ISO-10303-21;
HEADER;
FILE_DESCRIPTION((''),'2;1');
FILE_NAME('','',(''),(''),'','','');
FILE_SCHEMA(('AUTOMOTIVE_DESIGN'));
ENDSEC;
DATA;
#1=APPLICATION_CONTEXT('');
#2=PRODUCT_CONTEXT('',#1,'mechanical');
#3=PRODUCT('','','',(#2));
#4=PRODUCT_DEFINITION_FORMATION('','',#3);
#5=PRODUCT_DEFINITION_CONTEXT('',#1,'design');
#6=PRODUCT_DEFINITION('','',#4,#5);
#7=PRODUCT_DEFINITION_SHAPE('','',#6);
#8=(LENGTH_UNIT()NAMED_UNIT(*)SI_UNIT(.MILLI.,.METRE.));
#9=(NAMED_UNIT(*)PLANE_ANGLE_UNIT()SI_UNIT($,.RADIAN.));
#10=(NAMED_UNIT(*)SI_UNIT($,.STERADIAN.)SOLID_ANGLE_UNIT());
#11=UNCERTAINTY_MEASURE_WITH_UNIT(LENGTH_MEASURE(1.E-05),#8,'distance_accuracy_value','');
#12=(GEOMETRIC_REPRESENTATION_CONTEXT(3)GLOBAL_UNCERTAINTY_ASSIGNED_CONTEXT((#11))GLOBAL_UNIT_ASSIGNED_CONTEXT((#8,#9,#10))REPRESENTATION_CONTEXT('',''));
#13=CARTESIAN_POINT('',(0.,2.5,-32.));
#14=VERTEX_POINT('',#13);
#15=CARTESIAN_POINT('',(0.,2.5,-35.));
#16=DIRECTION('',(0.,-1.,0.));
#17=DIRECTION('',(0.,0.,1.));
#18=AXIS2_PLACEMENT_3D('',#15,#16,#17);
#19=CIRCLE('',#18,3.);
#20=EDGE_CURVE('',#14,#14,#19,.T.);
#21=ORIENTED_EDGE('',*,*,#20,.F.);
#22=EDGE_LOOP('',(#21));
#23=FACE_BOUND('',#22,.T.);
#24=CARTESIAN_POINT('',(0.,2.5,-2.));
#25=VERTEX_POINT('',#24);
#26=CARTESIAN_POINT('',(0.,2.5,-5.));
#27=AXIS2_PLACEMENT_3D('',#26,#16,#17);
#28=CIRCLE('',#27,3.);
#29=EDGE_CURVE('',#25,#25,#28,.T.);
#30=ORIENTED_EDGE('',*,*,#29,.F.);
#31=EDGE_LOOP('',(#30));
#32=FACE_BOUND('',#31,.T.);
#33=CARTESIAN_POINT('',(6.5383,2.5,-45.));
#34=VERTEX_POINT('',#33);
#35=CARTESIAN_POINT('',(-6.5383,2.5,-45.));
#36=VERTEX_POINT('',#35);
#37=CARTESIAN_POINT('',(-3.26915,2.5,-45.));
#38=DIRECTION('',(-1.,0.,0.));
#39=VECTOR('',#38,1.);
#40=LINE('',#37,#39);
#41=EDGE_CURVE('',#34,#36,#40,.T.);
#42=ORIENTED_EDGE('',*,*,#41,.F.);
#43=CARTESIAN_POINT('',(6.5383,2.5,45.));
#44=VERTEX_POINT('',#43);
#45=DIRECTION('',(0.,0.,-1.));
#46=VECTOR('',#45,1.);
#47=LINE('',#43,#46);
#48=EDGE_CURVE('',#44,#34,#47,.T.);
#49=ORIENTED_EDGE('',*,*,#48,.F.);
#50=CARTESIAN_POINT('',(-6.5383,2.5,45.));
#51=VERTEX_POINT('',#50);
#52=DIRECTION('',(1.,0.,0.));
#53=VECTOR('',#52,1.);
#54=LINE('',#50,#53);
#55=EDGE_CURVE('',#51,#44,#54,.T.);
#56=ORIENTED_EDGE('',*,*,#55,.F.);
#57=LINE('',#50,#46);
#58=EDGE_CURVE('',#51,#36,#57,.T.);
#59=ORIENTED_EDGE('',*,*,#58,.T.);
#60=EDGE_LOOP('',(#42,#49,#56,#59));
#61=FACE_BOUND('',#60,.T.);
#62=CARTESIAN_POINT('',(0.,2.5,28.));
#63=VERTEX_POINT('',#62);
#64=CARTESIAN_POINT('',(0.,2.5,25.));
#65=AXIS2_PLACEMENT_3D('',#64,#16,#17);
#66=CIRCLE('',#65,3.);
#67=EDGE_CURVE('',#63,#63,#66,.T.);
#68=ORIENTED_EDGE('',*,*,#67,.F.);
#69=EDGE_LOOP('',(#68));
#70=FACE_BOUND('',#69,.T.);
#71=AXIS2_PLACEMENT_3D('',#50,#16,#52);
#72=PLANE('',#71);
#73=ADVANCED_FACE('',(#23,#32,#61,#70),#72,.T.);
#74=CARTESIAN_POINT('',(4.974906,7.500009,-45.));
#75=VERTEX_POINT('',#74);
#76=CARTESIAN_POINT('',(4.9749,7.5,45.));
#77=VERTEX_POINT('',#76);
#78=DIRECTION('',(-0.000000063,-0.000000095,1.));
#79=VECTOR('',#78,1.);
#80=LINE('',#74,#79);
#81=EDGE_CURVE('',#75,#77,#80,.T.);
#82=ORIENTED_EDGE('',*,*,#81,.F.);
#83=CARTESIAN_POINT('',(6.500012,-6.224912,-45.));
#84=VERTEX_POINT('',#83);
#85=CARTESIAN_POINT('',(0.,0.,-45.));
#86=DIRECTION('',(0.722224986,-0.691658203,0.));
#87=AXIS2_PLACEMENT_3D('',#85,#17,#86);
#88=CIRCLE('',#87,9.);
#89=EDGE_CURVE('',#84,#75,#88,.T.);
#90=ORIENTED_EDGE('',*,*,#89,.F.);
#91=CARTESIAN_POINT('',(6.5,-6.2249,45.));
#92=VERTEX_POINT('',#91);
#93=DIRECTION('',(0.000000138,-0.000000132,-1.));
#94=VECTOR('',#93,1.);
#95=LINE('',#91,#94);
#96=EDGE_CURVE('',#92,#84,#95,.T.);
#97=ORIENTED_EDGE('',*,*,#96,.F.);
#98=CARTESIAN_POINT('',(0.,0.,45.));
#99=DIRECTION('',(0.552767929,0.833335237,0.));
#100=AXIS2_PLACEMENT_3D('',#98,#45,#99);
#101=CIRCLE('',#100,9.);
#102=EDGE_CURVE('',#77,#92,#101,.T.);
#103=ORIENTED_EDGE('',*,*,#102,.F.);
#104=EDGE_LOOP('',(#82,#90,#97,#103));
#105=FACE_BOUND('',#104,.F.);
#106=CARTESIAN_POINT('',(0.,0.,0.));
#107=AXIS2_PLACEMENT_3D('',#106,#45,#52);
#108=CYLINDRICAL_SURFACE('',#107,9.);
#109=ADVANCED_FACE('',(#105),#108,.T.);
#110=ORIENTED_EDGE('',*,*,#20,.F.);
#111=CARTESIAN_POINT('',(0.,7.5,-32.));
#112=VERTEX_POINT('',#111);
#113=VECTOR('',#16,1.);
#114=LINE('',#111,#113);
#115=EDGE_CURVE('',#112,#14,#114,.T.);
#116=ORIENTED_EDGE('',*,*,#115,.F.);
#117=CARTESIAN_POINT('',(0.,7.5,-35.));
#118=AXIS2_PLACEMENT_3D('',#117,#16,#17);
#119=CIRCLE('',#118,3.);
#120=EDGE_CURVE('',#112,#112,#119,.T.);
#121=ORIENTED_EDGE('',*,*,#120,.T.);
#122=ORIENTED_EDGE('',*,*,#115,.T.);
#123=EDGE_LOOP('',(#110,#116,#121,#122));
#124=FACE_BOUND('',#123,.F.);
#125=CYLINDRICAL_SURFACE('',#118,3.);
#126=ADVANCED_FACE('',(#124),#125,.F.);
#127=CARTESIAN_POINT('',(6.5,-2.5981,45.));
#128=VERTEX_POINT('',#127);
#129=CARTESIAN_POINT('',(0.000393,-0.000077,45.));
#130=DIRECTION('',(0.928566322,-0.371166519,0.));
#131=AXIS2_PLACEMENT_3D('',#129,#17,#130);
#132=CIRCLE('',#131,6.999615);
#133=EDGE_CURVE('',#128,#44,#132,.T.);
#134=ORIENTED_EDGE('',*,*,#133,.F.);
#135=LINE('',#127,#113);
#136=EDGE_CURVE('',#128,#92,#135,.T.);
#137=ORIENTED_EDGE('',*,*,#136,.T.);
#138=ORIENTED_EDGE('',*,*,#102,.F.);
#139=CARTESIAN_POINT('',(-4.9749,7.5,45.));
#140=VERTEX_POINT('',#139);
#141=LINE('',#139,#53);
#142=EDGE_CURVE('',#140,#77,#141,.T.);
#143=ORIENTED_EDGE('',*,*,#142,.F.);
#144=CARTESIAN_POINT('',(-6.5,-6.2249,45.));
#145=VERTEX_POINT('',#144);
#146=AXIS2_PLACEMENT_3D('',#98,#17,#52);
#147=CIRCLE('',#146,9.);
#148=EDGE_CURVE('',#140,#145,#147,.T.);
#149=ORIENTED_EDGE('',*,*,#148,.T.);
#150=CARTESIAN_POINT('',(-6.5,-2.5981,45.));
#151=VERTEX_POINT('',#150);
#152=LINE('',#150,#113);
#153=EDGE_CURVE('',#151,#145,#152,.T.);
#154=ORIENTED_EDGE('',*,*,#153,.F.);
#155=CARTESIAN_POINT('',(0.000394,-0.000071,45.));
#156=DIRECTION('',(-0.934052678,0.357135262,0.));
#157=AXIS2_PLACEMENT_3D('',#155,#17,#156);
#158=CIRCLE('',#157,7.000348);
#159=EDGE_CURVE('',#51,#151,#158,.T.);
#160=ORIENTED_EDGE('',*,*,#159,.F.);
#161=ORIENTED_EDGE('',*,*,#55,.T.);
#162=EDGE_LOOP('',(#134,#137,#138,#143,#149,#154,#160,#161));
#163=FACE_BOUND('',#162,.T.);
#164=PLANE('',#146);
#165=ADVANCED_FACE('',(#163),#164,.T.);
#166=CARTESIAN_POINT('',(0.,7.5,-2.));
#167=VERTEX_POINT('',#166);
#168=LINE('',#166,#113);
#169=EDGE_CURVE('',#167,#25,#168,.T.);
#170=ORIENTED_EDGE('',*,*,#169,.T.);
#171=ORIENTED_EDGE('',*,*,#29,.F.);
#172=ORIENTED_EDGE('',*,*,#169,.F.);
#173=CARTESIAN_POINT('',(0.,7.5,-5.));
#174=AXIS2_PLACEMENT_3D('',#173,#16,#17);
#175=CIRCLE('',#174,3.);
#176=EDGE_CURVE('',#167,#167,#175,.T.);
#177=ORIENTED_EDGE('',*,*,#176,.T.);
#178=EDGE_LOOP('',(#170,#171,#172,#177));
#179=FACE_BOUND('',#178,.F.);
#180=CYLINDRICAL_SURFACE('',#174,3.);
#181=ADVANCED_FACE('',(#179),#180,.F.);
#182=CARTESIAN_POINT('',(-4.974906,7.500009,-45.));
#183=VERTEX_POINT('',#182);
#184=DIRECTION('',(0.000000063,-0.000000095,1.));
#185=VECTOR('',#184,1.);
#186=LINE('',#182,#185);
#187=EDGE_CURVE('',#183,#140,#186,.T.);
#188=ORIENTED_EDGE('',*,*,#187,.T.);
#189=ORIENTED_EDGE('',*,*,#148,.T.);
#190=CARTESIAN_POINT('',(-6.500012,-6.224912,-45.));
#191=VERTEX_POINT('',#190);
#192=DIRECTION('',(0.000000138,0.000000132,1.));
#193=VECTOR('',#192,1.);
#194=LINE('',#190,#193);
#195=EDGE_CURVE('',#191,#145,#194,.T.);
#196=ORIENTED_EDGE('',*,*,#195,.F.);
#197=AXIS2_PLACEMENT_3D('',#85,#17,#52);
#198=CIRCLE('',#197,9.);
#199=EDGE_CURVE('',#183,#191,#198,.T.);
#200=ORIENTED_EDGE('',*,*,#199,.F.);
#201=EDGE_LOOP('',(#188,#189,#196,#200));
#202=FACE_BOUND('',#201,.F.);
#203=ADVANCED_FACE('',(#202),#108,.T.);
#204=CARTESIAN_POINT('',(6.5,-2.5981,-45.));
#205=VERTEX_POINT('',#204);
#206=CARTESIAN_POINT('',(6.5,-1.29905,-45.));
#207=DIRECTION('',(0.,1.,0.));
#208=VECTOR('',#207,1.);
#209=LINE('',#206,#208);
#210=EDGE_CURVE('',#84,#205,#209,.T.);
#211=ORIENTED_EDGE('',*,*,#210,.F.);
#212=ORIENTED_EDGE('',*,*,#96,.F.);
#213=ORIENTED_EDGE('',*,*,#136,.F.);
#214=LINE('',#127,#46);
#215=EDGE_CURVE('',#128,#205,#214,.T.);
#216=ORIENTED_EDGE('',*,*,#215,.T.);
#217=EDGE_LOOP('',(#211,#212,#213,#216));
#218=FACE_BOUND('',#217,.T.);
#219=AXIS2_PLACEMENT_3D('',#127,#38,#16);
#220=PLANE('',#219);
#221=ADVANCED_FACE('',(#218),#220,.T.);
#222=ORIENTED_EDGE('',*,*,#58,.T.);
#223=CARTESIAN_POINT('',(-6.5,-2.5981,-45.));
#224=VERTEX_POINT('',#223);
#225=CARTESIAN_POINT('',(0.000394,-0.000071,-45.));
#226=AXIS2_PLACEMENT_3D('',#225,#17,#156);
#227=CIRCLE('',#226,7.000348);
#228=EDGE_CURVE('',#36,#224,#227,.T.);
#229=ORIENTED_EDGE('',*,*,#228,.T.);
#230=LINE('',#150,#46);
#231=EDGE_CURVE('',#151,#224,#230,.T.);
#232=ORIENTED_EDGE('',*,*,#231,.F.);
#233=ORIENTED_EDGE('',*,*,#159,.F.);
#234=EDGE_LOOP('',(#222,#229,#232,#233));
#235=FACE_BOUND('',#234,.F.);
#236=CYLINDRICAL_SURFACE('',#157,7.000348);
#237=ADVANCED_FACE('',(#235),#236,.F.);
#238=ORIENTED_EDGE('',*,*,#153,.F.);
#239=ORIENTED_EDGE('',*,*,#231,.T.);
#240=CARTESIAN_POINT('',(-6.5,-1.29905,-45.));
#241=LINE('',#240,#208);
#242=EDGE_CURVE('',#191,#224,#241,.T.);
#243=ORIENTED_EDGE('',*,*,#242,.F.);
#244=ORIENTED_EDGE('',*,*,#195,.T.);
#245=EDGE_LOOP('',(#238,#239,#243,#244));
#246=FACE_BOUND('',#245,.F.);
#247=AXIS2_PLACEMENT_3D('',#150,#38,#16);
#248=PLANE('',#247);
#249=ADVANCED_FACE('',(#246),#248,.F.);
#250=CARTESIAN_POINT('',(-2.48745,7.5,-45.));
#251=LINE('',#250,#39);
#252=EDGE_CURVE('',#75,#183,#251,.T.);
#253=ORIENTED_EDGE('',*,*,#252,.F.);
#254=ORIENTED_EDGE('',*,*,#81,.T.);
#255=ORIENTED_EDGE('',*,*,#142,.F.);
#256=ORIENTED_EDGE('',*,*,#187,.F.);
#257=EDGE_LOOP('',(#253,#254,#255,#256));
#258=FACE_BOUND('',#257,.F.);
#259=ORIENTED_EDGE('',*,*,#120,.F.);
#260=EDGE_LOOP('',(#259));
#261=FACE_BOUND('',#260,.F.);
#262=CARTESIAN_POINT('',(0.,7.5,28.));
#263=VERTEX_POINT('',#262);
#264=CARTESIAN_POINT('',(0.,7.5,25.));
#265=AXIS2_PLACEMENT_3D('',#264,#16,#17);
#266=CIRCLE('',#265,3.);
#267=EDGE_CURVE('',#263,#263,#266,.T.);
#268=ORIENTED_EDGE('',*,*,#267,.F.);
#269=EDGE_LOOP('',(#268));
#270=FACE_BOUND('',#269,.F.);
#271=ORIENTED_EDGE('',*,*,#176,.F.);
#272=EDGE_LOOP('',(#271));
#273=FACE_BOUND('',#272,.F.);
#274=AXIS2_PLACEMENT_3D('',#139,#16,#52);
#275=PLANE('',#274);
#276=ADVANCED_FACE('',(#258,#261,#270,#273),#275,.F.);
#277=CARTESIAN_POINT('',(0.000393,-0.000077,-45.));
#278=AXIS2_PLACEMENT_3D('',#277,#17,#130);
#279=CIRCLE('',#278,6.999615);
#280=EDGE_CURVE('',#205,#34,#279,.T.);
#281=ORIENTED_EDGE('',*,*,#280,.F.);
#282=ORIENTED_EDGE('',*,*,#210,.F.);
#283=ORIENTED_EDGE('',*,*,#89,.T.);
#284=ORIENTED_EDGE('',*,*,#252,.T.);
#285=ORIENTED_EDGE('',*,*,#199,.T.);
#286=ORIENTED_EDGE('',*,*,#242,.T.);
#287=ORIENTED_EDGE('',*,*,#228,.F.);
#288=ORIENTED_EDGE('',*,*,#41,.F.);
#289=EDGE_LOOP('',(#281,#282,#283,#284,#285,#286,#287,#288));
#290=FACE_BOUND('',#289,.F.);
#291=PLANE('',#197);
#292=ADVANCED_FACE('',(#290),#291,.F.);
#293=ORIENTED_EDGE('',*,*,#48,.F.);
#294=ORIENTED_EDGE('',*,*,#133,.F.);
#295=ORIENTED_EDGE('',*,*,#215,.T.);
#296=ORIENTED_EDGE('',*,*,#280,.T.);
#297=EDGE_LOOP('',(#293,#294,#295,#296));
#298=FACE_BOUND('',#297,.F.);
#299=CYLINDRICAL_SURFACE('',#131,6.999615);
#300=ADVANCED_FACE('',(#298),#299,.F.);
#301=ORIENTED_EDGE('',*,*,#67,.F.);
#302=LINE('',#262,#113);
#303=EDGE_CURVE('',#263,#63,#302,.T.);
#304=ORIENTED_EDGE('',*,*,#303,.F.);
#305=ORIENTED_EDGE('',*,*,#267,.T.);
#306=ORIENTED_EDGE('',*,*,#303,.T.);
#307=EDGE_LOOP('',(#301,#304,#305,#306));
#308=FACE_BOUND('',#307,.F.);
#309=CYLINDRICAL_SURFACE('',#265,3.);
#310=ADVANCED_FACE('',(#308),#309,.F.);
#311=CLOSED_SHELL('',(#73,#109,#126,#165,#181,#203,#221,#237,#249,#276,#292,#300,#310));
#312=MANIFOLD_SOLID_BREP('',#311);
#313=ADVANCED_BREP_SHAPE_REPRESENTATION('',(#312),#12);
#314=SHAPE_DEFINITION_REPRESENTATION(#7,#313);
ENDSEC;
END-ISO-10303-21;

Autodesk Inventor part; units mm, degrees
ref_plane "YZ Plane" through (0, 0, 0) normal (1, 0, 0) x (0, 1, 0)
ref_plane "XZ Plane" through (0, 0, 0) normal (0, 1, 0) x (-1, 0, 0)
ref_plane "XY Plane" through (0, 0, 0) normal (0, 0, 1) x (1, 0, 0)
sketch "Szkic1" plane through (0, 0, 0) normal (0, 0, 1) x (1, 0, 0)
  circle A0 centre (0, 0) radius 9
  dimension "d0" = 18
extrude "Wyciągnięcie proste1" add sketch "Szkic1" along normal mid plane 90
sketch "Szkic2" plane through (0, 0, 45) normal (0, 0, 1) x (1, 0, 0)
  circle A0 centre (0, 0) radius 9 projected
  line L0 (-4.9749, 7.5) -> (4.9749, 7.5)
  line L1 (-6.5383, 2.5) -> (6.5383, 2.5)
  line L2 (-6.5, -2.5981) -> (-6.5, -6.2249)
  line L3 (6.5, -2.5981) -> (6.5, -6.2249)
  line L4 (0, 0) -> (0, -2.0526) construction
  arc A1 (-6.5383, 2.5) -> (-6.5, -2.5981) centre (0, 0) ccw
  arc A2 (6.5, -2.5981) -> (6.5383, 2.5) centre (0, 0) ccw
  arc A3 (-6.5, -6.2249) -> (6.5, -6.2249) centre (0, 0) ccw
  arc A4 (4.9749, 7.5) -> (-4.9749, 7.5) centre (0, 0) ccw
  dimension "d3" = 1.5
  dimension "d5" = 5
  dimension "d9" = 2
  dimension "d22" = 13
extrude "Wyciągnięcie proste2" cut sketch "Szkic2" against normal up to next contours L0 A0 | A0 L2 A1 L1 A2 L3
sketch "Szkic3" plane through (-4.9749, 7.5, 45) normal (0, 1, 0) x (1, 0, 0)
  line L0 (9.9499, 0) -> (0, 0) projected
  point P0 (4.9749, 45)
  point P1 (4.9749, 20)
  point P2 (4.9749, 50)
  point P3 (4.9749, 80)
  dimension "d12" = 20
  dimension "d13" = 30
  dimension "d14" = 30
hole "Otwór1" at (0, 7.5, 25) at (0, 7.5, -5) at (0, 7.5, -35) direction (0, -1, 0) diameter 6 end through all
properties part number "Pasek_reulacji" material "Stal nierdzewna"
